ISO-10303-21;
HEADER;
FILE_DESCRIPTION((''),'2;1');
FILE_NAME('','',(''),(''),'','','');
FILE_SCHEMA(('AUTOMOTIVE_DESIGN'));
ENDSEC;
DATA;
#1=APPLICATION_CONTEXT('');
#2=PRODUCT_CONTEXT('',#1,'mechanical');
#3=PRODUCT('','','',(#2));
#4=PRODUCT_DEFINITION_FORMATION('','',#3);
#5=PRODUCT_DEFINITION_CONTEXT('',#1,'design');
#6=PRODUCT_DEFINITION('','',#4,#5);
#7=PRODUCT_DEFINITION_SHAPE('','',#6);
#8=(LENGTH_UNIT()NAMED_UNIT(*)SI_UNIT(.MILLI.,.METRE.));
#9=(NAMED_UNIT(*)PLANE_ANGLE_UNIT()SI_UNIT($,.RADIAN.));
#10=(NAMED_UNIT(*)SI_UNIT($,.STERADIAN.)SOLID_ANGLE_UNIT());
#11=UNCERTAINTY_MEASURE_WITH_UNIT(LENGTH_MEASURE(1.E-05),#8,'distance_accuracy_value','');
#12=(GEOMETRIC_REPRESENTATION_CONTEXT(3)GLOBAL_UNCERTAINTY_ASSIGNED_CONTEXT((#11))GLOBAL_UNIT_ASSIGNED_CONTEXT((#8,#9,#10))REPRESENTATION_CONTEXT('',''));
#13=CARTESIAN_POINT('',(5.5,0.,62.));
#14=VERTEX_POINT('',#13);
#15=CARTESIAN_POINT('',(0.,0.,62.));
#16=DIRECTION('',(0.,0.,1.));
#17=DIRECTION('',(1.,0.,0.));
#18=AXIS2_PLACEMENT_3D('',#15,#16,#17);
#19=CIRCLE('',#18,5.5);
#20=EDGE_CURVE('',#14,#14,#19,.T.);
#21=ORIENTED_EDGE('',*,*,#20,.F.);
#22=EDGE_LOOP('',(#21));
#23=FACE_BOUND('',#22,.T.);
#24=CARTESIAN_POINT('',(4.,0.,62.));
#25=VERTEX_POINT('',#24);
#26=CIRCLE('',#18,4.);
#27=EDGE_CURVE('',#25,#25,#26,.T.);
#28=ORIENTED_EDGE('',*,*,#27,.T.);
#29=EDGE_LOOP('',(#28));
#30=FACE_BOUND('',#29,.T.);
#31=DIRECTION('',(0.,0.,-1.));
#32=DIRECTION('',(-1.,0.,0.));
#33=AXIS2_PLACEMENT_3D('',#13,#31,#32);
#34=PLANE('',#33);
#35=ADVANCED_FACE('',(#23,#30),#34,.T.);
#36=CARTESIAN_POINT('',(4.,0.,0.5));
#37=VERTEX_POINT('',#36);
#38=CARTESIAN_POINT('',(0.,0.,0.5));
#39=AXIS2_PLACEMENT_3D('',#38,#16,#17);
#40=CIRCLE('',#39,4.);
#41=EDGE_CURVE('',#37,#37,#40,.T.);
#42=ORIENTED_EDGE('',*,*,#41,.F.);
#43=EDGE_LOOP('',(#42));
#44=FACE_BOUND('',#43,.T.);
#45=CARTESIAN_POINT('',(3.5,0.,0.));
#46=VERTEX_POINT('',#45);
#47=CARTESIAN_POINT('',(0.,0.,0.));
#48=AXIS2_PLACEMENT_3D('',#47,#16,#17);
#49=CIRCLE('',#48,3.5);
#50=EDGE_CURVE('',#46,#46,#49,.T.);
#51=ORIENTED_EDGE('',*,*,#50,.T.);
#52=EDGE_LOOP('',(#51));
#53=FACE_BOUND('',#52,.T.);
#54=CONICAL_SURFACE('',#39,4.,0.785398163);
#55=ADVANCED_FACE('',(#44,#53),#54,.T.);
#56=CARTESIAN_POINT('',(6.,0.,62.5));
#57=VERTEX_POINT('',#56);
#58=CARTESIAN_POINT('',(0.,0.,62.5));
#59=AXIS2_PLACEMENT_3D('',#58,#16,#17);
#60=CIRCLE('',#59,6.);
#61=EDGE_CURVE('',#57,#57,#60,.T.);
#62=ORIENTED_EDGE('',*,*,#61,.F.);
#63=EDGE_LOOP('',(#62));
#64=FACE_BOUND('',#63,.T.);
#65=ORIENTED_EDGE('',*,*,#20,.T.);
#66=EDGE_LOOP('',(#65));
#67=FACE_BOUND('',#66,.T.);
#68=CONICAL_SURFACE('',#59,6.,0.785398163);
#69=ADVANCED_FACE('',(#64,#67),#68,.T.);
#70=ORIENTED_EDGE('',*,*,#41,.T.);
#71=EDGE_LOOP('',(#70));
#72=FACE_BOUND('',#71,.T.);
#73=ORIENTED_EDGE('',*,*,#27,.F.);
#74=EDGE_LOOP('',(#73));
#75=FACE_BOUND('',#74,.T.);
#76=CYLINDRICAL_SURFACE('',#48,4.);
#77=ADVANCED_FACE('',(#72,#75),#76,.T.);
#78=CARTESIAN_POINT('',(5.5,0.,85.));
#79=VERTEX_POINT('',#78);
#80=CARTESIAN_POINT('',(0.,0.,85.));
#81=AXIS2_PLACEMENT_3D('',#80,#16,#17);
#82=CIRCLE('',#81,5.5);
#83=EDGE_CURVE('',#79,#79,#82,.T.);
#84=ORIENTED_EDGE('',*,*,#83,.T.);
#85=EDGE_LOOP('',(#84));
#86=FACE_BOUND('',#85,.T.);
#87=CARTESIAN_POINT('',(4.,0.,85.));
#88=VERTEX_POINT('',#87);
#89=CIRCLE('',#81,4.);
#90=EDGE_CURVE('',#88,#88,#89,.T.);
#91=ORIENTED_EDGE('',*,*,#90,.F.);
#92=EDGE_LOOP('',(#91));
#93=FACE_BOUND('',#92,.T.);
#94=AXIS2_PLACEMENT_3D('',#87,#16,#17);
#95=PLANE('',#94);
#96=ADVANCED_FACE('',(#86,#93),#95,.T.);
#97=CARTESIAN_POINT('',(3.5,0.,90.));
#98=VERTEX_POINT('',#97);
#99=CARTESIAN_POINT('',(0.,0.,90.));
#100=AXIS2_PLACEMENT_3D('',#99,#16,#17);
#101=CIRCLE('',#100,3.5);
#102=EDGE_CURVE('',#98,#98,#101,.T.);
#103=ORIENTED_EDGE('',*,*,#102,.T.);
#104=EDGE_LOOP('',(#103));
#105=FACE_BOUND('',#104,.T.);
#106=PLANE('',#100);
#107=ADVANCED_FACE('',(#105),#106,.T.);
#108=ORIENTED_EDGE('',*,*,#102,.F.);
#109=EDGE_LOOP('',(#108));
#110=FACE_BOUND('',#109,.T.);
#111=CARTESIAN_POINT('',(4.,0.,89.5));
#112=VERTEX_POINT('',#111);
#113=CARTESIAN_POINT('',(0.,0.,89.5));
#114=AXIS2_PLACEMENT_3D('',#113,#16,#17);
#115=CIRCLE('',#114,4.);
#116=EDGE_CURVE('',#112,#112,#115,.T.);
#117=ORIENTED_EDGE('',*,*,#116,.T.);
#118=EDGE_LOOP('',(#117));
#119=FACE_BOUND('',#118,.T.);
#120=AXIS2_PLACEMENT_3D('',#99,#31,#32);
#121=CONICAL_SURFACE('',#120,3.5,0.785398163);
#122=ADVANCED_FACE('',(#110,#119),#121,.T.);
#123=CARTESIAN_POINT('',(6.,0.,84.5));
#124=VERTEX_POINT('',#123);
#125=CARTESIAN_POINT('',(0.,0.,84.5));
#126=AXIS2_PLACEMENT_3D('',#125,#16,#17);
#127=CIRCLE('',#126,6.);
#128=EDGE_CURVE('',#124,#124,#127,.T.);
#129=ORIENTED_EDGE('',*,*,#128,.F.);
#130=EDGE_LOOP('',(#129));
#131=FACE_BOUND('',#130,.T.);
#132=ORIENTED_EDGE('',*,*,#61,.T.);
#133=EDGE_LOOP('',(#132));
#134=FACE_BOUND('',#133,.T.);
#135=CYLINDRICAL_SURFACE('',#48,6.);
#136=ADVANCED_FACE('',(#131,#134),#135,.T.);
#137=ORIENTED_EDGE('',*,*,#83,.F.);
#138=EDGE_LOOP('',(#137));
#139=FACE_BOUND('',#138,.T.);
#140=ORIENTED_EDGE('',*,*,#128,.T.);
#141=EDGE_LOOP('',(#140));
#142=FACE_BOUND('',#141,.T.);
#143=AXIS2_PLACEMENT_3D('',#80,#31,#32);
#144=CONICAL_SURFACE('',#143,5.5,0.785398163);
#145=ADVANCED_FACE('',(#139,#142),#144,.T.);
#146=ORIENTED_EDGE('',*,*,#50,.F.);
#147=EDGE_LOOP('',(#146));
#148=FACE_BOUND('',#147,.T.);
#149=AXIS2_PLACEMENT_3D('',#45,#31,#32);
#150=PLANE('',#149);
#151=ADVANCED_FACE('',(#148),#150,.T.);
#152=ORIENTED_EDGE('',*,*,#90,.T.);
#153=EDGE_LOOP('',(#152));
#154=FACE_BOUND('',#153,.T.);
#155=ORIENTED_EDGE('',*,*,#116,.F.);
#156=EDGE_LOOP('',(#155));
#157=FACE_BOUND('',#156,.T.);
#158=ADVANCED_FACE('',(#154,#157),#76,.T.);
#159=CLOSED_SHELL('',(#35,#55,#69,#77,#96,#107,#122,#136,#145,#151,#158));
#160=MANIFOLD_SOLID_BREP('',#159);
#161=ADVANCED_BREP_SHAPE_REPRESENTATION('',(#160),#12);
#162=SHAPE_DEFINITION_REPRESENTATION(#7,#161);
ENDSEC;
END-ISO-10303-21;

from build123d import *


with BuildPart() as part:
    # Sketch1 → Revolve1 (revolve)
    with BuildSketch(Plane(origin=(0, 0, 0), x_dir=(1, 0, 0), z_dir=(0, 1, 0))):
        Polygon((3.5, 0), (0, 0), (0, -90), (3.5, -90), (4, -89.5), (4, -85), (5.5, -85), (6, -84.5), (6, -62.5), (5.5, -62), (4, -62), (4, -0.5), align=None)
    revolve(axis=Axis((0, 0, 0), (0, 0, 1)))


solid = part.part
